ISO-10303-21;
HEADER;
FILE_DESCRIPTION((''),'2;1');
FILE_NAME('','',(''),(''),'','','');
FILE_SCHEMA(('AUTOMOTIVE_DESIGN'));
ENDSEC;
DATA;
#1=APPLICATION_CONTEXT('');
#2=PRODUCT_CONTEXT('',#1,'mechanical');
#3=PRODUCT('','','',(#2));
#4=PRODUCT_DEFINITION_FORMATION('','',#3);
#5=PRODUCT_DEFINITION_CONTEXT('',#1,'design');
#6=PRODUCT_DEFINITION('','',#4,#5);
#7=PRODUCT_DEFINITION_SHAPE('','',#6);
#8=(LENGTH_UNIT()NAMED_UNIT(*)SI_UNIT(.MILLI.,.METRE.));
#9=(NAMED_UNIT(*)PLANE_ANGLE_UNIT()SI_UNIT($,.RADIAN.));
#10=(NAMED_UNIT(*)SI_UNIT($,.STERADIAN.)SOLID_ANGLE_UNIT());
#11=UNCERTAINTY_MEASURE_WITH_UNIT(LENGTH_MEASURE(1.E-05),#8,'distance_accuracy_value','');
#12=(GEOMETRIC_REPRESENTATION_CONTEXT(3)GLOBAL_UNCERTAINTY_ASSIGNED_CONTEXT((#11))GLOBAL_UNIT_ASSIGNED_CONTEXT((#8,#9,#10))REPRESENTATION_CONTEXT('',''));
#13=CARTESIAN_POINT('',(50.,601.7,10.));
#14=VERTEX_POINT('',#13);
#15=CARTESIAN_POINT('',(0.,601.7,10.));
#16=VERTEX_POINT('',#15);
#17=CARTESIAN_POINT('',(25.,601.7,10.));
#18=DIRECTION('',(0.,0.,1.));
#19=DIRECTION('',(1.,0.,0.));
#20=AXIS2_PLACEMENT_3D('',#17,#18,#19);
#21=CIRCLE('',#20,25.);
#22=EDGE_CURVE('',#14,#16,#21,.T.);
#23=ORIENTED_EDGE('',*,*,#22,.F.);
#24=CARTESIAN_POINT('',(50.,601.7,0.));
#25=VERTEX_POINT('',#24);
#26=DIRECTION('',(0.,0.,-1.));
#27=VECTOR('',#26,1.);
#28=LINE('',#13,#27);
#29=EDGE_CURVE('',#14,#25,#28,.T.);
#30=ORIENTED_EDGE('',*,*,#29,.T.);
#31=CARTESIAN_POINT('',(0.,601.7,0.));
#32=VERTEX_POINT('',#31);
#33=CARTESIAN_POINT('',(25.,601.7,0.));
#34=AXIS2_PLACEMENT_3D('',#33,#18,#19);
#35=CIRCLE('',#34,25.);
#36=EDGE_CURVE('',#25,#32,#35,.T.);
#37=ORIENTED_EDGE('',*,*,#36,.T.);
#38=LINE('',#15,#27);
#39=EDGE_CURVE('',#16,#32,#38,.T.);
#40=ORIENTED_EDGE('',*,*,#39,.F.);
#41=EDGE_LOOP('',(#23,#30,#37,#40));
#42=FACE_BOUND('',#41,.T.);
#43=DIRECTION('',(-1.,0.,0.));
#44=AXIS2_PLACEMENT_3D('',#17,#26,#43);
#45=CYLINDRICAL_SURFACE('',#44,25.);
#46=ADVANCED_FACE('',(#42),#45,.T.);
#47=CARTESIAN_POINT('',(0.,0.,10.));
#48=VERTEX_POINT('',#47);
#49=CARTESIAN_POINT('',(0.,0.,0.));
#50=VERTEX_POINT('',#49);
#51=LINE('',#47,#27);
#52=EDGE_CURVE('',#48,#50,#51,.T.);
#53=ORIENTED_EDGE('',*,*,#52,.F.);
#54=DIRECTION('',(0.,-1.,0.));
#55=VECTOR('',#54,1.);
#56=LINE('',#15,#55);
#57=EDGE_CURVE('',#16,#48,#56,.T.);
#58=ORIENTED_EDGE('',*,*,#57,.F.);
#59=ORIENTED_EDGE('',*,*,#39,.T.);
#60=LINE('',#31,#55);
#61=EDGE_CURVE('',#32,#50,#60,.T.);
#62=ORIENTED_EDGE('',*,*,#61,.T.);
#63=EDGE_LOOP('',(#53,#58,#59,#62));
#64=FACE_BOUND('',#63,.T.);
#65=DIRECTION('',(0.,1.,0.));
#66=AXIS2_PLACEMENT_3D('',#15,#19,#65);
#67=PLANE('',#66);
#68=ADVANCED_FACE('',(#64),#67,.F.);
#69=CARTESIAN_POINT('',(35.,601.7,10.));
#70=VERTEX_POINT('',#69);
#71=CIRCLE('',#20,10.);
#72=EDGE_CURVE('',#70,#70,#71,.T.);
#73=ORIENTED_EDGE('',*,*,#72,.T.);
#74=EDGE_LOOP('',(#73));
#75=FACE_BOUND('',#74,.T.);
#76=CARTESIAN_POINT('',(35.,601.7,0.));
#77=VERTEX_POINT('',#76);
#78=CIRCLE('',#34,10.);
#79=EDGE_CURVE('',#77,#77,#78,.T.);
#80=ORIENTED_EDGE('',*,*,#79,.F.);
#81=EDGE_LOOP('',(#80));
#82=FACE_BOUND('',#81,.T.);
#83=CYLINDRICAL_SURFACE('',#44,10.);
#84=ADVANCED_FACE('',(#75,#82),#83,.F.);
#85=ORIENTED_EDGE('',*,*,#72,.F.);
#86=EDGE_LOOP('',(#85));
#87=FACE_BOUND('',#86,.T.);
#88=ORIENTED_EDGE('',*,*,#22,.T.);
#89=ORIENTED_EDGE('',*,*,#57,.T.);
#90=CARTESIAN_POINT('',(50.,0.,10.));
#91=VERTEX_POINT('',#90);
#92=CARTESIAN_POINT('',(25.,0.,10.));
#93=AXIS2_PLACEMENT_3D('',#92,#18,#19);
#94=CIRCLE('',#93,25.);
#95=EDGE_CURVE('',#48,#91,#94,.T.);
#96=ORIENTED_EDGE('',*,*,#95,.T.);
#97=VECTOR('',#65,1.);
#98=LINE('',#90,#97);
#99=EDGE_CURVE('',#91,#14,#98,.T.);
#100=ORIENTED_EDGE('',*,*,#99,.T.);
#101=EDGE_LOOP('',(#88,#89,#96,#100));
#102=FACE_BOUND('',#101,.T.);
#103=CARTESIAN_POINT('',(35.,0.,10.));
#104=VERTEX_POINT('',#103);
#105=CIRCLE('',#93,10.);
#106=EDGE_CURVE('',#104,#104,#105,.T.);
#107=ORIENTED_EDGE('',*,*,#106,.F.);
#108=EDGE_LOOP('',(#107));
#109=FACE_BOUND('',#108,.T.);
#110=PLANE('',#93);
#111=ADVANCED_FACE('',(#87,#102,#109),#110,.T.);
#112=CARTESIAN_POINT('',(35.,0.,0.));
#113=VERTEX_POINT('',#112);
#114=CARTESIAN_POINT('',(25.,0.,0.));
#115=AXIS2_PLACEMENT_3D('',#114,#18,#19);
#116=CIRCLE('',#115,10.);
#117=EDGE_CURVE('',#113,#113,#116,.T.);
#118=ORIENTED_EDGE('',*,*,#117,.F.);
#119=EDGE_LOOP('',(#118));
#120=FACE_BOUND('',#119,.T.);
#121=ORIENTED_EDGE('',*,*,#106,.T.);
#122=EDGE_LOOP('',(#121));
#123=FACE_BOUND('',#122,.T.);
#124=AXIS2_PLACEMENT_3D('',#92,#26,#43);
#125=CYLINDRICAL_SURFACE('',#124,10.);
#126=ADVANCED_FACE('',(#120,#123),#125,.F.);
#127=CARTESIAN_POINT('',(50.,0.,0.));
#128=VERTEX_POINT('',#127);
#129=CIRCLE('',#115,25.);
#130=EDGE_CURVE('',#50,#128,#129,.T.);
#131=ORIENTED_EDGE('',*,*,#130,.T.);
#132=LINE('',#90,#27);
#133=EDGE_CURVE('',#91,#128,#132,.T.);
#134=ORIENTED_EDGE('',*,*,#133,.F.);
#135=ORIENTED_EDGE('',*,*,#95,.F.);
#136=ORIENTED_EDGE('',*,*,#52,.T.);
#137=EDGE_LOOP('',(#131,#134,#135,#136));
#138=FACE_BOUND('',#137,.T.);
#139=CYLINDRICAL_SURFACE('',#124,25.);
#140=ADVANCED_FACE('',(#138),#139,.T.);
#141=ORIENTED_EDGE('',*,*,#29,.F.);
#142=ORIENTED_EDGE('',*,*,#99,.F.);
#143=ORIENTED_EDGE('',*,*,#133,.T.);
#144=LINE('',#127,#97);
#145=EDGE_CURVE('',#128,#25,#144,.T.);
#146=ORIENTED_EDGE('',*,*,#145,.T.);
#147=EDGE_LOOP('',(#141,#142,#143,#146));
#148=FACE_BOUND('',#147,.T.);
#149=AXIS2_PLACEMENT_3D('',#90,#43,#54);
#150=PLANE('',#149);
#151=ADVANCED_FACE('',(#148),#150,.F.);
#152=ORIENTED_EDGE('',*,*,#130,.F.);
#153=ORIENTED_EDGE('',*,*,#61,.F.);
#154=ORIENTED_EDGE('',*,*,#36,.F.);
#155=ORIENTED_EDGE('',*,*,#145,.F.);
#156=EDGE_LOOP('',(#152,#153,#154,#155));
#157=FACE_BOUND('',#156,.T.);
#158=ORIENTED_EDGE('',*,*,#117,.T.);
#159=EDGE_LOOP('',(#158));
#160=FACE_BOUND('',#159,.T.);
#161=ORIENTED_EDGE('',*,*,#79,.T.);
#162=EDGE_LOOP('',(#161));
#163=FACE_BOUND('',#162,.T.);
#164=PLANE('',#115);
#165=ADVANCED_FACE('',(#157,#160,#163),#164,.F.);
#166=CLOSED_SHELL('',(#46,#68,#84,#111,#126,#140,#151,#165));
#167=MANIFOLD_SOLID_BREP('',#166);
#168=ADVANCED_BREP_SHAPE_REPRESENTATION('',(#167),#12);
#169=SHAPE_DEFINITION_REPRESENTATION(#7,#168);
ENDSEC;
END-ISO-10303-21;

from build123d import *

# Parameters (mm, degrees)
CROQUIS1_R              = 10
SALIENTE_EXTRUIR1_DEPTH = 10


with BuildPart() as part:
    # Croquis1 → Saliente-Extruir1 (new body)
    with BuildSketch(Plane.XY):
        with BuildLine():
            Line((50, 0), (50, 601.7))
            ThreePointArc((50, 601.7), (25, 626.7), (0, 601.7))
            Line((0, 601.7), (0, 0))
            ThreePointArc((0, 0), (25, -25), (50, 0))
        make_face()
        with Locations((25, 601.7)):
            Circle(CROQUIS1_R, mode=Mode.SUBTRACT)
        with Locations((25, 0)):
            Circle(CROQUIS1_R, mode=Mode.SUBTRACT)
    extrude(amount=SALIENTE_EXTRUIR1_DEPTH)


solid = part.part
